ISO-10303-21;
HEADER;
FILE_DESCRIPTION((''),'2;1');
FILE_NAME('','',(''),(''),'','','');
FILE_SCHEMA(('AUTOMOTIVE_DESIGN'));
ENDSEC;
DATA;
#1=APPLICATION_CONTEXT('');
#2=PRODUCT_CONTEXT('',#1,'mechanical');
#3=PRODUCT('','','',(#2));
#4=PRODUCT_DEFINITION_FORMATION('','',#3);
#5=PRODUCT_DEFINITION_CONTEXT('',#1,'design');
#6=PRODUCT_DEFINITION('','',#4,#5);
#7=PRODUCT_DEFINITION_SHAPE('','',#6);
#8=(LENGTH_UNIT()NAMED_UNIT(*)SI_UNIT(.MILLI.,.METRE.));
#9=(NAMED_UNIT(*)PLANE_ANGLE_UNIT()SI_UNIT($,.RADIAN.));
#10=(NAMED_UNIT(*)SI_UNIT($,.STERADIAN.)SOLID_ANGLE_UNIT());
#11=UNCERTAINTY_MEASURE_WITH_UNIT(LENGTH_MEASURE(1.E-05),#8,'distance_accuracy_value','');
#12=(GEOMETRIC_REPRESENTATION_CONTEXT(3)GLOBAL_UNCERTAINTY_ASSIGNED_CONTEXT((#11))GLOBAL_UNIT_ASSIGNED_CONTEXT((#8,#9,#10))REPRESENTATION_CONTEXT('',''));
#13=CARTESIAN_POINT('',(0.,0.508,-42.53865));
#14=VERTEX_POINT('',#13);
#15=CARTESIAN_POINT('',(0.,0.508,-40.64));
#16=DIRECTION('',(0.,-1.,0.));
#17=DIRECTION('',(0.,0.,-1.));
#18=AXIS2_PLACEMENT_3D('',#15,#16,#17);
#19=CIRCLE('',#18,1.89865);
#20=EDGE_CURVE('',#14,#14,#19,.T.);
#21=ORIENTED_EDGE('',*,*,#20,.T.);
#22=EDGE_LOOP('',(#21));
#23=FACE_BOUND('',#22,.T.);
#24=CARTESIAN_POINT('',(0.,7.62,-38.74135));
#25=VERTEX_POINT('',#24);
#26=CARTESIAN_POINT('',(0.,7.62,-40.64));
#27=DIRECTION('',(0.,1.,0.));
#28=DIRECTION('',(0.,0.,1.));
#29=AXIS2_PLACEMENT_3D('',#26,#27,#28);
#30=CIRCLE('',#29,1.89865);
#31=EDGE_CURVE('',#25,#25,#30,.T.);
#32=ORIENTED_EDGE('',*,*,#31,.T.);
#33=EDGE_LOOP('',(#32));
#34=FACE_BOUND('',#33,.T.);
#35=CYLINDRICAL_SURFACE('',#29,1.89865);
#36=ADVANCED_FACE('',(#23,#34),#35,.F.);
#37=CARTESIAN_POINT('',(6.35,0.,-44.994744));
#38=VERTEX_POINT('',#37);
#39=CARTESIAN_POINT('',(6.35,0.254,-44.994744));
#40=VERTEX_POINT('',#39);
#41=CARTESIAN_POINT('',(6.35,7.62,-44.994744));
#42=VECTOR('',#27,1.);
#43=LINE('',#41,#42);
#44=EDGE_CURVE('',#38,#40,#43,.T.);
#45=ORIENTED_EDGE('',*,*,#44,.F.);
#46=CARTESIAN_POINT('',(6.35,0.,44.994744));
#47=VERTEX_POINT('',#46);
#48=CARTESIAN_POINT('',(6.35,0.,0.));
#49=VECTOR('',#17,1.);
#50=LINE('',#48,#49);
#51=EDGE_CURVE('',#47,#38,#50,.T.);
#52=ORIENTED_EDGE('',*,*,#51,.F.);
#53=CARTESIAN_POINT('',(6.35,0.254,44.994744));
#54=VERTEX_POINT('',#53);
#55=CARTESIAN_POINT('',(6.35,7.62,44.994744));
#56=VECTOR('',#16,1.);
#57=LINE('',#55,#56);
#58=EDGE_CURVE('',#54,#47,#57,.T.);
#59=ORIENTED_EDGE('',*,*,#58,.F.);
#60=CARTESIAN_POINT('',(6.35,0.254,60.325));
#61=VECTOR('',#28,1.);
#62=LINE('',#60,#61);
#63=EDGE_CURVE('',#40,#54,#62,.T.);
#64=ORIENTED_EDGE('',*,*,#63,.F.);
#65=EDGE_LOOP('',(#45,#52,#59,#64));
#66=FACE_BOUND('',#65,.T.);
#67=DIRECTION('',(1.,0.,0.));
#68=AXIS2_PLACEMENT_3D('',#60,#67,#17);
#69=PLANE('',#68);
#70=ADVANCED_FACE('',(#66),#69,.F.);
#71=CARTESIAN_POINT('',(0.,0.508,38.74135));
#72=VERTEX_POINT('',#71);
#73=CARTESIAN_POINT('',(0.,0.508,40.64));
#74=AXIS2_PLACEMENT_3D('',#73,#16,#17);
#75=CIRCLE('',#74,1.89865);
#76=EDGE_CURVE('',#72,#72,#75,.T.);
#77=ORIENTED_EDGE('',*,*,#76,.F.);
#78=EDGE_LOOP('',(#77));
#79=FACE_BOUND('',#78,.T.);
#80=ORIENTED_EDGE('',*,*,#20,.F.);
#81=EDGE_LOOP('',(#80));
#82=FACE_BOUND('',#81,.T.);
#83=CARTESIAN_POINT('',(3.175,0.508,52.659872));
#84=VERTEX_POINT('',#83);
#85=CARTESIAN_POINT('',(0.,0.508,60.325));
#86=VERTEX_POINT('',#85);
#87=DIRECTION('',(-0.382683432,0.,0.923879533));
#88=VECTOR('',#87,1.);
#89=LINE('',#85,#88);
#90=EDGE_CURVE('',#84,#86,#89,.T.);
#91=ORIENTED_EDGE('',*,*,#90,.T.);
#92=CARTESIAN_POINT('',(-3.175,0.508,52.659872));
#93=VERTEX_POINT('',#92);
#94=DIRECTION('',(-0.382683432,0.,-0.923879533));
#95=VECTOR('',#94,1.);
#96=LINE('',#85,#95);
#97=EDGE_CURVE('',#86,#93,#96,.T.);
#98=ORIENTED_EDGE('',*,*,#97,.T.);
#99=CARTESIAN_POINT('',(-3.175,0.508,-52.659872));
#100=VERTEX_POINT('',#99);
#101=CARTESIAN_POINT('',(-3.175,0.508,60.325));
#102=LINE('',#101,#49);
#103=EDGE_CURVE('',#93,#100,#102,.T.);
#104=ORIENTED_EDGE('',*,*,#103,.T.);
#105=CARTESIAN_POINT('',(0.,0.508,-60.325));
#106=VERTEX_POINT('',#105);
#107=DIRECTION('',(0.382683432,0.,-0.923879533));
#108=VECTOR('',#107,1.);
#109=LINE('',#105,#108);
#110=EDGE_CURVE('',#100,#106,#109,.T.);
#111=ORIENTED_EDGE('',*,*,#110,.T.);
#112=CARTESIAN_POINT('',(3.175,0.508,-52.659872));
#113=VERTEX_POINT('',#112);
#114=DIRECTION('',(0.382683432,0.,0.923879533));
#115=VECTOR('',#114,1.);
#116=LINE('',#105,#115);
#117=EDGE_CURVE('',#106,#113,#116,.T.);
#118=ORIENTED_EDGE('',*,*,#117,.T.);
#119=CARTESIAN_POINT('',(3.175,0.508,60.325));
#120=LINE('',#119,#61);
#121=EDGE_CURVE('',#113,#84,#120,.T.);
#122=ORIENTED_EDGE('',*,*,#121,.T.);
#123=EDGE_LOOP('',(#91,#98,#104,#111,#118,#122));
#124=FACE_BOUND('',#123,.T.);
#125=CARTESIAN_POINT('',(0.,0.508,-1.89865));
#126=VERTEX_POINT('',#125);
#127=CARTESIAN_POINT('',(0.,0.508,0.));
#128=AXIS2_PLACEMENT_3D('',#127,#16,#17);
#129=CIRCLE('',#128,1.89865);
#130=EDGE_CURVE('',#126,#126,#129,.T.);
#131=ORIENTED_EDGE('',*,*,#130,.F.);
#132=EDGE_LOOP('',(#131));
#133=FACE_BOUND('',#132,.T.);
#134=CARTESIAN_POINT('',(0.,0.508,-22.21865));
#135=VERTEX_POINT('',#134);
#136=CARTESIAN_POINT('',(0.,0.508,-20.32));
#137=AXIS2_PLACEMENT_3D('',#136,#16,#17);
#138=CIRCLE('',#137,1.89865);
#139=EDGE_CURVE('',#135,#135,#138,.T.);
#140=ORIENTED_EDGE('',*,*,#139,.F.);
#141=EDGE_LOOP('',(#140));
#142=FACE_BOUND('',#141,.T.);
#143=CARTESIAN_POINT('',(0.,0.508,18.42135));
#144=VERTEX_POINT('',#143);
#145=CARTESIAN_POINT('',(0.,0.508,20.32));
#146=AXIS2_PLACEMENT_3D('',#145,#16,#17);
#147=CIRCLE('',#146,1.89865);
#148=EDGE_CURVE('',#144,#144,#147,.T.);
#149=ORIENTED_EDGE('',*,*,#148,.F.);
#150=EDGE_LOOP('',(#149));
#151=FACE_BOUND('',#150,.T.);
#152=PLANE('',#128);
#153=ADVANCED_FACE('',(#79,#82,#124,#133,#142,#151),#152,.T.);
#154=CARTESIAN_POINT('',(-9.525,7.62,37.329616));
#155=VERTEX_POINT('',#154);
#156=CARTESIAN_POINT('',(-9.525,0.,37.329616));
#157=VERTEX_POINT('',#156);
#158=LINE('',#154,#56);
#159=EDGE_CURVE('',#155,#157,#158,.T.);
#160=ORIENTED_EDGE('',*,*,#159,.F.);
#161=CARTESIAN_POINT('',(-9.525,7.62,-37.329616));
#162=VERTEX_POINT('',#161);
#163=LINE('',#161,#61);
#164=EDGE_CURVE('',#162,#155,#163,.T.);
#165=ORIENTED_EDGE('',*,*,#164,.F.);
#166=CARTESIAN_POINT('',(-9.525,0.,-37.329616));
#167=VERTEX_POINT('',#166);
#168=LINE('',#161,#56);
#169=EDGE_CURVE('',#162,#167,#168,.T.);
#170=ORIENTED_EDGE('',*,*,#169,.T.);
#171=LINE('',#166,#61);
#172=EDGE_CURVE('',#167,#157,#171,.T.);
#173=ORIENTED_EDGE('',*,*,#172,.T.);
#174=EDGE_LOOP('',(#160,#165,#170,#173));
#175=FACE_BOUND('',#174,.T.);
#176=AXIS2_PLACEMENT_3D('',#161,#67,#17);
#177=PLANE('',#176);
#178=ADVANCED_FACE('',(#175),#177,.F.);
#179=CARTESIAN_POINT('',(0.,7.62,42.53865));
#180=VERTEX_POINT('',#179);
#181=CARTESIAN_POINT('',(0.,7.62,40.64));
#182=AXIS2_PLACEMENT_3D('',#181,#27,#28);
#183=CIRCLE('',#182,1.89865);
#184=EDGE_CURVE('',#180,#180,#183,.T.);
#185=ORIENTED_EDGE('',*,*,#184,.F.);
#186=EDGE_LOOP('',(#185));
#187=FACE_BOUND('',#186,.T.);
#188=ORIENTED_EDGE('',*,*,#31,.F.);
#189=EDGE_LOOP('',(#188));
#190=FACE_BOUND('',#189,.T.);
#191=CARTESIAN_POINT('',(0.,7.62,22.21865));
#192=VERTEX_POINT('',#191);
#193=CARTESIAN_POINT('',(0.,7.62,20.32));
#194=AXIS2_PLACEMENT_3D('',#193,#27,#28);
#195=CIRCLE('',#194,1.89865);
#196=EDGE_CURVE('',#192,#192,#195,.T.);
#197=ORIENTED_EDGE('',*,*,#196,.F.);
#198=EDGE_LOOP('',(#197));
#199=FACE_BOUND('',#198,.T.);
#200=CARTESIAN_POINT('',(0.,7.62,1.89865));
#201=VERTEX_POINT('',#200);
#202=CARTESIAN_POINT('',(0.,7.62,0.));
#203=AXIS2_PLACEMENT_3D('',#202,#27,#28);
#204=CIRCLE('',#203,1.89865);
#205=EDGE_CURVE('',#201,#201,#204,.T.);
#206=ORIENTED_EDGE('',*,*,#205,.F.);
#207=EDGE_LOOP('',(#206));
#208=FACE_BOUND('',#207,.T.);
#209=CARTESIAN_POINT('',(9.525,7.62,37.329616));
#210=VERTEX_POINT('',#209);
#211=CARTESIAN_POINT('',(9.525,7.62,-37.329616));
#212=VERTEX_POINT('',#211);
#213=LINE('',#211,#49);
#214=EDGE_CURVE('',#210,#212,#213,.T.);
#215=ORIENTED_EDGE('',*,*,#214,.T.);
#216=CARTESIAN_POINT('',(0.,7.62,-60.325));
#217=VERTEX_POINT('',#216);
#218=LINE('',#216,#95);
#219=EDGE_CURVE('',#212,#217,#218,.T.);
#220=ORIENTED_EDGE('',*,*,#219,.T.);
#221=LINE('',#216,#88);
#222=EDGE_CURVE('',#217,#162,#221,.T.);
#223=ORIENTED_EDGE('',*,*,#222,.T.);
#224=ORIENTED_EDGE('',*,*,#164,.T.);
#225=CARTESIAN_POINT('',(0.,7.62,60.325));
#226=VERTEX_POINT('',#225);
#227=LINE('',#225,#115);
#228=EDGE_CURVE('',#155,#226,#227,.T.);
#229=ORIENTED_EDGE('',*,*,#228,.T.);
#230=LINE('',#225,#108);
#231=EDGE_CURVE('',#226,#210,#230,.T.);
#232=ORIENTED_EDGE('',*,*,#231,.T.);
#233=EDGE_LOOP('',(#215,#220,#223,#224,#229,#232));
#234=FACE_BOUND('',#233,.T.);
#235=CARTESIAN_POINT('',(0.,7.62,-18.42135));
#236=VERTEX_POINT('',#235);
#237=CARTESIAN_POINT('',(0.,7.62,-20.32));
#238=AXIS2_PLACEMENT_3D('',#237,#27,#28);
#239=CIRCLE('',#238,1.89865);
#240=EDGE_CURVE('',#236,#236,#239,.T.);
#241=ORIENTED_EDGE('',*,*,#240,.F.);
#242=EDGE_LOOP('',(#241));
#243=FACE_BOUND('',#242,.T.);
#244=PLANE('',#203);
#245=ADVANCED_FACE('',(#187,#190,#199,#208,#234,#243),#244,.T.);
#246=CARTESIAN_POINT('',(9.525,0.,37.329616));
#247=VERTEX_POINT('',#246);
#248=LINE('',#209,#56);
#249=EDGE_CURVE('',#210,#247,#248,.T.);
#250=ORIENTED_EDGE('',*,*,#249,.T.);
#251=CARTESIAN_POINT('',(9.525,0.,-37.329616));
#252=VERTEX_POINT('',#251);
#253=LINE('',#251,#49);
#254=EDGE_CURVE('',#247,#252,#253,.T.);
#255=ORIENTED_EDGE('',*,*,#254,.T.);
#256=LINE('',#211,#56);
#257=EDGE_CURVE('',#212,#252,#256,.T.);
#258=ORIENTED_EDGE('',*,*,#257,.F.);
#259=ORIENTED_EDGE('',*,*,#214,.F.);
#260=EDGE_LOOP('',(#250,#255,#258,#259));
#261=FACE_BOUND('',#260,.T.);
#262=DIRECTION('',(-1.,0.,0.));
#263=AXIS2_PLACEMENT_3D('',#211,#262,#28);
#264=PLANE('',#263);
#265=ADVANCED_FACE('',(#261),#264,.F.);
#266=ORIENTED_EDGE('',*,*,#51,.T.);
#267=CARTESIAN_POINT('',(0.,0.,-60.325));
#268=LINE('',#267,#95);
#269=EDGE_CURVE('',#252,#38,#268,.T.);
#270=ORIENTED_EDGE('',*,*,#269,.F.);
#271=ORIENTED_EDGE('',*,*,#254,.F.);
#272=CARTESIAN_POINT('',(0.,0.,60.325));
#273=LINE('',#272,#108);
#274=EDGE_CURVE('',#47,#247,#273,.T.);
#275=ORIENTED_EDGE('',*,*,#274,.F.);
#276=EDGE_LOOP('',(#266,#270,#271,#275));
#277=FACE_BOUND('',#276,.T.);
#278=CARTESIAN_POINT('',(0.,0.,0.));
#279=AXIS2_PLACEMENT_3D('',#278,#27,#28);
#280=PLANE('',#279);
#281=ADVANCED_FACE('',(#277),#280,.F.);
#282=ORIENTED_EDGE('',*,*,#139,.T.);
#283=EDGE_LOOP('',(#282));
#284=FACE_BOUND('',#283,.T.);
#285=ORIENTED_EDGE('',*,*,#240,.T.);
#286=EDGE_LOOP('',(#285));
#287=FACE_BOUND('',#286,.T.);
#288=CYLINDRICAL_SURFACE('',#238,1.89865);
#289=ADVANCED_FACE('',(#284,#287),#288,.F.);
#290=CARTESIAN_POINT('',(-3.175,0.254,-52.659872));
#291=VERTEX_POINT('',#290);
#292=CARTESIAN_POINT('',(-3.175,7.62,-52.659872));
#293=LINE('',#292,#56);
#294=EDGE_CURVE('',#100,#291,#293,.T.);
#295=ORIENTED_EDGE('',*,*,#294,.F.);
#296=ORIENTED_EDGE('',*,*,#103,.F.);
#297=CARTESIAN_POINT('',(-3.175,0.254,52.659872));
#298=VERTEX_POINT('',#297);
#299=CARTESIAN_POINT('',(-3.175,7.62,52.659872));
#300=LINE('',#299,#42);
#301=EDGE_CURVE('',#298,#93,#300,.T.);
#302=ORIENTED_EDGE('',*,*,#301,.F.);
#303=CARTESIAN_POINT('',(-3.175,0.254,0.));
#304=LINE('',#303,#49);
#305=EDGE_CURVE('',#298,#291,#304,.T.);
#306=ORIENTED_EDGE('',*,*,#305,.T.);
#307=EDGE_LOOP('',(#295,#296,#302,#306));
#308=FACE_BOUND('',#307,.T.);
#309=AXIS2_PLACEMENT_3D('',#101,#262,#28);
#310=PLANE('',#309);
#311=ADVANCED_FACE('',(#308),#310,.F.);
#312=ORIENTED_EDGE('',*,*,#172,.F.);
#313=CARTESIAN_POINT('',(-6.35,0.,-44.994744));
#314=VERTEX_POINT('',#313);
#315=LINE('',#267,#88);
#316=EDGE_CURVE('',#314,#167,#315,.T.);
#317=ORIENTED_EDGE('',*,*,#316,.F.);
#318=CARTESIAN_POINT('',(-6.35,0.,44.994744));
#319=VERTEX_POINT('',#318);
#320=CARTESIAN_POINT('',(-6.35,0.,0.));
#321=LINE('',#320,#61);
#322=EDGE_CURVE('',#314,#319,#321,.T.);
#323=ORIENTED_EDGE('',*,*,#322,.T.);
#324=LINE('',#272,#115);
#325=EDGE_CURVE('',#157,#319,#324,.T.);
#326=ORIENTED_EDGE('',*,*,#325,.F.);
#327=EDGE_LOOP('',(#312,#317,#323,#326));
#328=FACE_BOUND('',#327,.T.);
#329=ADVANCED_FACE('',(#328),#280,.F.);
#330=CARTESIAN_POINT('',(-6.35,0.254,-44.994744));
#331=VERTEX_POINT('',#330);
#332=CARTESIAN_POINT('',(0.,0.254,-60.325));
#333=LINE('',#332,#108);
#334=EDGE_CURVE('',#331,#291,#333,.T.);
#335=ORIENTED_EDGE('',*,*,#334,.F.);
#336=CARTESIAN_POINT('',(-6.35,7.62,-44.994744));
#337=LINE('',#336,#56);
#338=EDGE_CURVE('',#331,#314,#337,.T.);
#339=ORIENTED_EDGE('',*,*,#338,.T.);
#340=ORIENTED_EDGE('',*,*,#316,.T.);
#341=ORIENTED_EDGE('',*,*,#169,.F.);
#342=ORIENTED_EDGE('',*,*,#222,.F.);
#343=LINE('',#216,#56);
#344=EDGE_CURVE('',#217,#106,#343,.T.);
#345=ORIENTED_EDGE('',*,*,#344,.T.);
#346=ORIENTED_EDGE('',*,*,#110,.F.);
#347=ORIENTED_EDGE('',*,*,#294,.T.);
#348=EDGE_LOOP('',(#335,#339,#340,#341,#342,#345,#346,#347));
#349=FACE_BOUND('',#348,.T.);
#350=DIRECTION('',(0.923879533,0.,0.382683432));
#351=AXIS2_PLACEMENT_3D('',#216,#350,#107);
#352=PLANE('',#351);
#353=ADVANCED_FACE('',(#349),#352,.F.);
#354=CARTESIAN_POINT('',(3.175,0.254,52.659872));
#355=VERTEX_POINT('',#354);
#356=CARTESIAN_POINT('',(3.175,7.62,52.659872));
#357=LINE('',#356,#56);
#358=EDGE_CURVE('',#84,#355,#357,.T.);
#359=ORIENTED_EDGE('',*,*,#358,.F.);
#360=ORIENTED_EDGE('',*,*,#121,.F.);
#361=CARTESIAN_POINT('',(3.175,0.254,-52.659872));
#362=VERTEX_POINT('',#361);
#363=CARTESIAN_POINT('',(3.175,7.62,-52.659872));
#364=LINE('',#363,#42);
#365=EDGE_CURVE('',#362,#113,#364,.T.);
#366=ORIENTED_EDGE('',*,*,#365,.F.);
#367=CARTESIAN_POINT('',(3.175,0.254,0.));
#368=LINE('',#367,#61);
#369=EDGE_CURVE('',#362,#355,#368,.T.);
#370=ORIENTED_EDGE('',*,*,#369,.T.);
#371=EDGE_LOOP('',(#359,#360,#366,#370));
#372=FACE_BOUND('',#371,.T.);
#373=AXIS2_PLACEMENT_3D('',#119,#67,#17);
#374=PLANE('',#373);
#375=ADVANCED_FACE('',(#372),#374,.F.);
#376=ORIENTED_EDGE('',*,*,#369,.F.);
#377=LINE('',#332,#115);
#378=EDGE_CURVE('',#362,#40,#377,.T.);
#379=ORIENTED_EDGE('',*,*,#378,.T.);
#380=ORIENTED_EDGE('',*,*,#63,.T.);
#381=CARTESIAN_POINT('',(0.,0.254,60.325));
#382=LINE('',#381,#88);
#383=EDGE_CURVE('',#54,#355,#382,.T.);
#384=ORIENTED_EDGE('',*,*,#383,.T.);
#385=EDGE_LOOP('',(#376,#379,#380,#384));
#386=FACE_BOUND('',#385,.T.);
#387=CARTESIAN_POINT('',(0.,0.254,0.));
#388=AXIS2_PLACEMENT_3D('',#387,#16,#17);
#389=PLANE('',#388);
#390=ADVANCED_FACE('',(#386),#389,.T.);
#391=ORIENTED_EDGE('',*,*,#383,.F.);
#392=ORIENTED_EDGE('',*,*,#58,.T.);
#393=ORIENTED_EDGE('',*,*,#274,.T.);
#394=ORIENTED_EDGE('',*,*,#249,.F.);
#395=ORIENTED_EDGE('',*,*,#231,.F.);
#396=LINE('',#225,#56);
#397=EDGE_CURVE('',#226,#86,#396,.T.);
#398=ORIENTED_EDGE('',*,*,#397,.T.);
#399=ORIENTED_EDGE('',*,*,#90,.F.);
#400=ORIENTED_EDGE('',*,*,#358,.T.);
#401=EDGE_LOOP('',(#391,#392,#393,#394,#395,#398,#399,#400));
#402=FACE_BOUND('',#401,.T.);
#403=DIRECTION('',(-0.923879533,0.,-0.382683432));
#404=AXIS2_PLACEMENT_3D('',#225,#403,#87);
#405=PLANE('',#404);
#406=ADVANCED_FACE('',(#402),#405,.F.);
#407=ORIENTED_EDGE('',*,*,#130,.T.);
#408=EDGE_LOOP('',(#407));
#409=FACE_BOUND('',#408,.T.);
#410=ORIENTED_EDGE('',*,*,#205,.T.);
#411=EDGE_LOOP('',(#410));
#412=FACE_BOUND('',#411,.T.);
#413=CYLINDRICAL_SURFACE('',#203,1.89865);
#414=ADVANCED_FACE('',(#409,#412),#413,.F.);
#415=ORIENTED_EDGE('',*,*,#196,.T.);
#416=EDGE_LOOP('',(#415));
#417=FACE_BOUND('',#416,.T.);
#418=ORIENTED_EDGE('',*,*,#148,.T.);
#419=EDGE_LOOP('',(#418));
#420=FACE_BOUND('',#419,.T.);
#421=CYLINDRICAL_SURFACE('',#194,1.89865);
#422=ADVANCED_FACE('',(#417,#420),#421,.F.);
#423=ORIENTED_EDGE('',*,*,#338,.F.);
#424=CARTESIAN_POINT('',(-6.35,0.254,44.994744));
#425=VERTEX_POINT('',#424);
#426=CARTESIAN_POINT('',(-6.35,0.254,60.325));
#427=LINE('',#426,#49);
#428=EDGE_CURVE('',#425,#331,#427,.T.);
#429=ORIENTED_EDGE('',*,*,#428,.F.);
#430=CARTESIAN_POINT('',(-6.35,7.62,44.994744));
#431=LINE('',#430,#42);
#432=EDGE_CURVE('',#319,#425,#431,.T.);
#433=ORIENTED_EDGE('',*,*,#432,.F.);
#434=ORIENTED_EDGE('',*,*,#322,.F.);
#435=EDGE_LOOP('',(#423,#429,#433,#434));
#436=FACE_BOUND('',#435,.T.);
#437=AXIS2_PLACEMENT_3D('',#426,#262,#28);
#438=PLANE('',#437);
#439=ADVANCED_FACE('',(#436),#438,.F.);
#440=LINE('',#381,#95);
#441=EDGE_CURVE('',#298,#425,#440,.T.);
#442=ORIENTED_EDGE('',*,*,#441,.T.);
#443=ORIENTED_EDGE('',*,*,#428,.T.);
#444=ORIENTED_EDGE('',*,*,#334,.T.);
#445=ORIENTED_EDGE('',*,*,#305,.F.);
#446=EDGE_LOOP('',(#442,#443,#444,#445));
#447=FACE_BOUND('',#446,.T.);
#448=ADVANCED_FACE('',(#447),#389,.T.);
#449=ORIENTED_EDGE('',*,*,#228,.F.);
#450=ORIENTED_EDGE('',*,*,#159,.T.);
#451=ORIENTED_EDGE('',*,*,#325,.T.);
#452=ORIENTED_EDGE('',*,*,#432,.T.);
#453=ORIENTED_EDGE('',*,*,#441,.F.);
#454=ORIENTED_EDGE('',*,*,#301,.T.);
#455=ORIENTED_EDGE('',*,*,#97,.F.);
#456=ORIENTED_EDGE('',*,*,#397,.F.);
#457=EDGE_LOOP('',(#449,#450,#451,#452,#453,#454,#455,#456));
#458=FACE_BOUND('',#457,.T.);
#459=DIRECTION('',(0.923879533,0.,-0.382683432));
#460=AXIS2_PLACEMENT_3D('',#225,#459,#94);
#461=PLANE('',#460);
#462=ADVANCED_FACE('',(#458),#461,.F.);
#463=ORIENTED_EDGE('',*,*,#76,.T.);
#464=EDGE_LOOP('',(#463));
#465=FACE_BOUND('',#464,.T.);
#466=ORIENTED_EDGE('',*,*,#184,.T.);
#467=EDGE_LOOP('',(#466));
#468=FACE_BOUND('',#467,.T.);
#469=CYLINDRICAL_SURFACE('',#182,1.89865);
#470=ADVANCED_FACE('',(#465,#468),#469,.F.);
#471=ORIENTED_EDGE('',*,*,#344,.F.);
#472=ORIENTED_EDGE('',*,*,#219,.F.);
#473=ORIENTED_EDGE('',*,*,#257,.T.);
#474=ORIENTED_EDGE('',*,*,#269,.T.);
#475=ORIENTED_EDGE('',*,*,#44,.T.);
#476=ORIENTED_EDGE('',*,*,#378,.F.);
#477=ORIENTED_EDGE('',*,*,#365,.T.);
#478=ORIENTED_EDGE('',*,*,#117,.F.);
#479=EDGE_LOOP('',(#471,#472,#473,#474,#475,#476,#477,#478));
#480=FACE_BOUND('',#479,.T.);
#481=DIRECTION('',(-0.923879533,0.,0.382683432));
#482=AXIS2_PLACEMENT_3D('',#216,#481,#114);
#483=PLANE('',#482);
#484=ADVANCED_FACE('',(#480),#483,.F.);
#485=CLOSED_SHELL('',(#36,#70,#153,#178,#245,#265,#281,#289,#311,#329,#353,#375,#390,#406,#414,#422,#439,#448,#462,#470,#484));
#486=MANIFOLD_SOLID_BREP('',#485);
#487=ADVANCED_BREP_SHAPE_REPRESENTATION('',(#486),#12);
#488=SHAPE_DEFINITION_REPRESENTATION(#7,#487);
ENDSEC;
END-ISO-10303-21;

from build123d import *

# Parameters (mm, degrees)
BOSS_EXTRUDE1_DEPTH    = 7.62
SKETCH2_W              = 12.7
SKETCH2_H              = 120.65
CUT_EXTRUDE1_DEPTH     = 0.254
SKETCH3_W              = 6.35
SKETCH3_H              = 120.65
CUT_EXTRUDE2_DEPTH     = 0.254
F_10_24_TAPPED_HOLE1_D = 3.7973


with BuildPart() as part:
    # Sketch1 → Boss-Extrude1 (new body)
    with BuildSketch(Plane(origin=(0, 0, 0), x_dir=(1, 0, 0), z_dir=(0, 1, 0))):
        Polygon((0, 60.325), (-9.525, 37.329615818), (-9.525, -37.329615818), (0, -60.325), (9.525, -37.329615818), (9.525, 37.329615818), align=None)
    extrude(amount=BOSS_EXTRUDE1_DEPTH)

    # Sketch2 → Cut-Extrude1 (cut)
    with BuildSketch(Plane.XZ):
        Rectangle(SKETCH2_W, SKETCH2_H)
    extrude(amount=-CUT_EXTRUDE1_DEPTH, mode=Mode.SUBTRACT)

    # Sketch3 → Cut-Extrude2 (cut)
    with BuildSketch(Plane.XZ.offset(-0.254)):
        Rectangle(SKETCH3_W, SKETCH3_H)
    extrude(amount=-CUT_EXTRUDE2_DEPTH, mode=Mode.SUBTRACT)

    # #10-24 Tapped Hole1 (through all)
    with Locations(Plane(origin=(0, 7.62, 0), x_dir=(1, 0, 0), z_dir=(0, 1, 0))):
        with Locations((0, 20.32), (0, 40.64), (0, 0), (0, -20.32), (0, -40.64)):
            Hole(F_10_24_TAPPED_HOLE1_D / 2)


solid = part.part
